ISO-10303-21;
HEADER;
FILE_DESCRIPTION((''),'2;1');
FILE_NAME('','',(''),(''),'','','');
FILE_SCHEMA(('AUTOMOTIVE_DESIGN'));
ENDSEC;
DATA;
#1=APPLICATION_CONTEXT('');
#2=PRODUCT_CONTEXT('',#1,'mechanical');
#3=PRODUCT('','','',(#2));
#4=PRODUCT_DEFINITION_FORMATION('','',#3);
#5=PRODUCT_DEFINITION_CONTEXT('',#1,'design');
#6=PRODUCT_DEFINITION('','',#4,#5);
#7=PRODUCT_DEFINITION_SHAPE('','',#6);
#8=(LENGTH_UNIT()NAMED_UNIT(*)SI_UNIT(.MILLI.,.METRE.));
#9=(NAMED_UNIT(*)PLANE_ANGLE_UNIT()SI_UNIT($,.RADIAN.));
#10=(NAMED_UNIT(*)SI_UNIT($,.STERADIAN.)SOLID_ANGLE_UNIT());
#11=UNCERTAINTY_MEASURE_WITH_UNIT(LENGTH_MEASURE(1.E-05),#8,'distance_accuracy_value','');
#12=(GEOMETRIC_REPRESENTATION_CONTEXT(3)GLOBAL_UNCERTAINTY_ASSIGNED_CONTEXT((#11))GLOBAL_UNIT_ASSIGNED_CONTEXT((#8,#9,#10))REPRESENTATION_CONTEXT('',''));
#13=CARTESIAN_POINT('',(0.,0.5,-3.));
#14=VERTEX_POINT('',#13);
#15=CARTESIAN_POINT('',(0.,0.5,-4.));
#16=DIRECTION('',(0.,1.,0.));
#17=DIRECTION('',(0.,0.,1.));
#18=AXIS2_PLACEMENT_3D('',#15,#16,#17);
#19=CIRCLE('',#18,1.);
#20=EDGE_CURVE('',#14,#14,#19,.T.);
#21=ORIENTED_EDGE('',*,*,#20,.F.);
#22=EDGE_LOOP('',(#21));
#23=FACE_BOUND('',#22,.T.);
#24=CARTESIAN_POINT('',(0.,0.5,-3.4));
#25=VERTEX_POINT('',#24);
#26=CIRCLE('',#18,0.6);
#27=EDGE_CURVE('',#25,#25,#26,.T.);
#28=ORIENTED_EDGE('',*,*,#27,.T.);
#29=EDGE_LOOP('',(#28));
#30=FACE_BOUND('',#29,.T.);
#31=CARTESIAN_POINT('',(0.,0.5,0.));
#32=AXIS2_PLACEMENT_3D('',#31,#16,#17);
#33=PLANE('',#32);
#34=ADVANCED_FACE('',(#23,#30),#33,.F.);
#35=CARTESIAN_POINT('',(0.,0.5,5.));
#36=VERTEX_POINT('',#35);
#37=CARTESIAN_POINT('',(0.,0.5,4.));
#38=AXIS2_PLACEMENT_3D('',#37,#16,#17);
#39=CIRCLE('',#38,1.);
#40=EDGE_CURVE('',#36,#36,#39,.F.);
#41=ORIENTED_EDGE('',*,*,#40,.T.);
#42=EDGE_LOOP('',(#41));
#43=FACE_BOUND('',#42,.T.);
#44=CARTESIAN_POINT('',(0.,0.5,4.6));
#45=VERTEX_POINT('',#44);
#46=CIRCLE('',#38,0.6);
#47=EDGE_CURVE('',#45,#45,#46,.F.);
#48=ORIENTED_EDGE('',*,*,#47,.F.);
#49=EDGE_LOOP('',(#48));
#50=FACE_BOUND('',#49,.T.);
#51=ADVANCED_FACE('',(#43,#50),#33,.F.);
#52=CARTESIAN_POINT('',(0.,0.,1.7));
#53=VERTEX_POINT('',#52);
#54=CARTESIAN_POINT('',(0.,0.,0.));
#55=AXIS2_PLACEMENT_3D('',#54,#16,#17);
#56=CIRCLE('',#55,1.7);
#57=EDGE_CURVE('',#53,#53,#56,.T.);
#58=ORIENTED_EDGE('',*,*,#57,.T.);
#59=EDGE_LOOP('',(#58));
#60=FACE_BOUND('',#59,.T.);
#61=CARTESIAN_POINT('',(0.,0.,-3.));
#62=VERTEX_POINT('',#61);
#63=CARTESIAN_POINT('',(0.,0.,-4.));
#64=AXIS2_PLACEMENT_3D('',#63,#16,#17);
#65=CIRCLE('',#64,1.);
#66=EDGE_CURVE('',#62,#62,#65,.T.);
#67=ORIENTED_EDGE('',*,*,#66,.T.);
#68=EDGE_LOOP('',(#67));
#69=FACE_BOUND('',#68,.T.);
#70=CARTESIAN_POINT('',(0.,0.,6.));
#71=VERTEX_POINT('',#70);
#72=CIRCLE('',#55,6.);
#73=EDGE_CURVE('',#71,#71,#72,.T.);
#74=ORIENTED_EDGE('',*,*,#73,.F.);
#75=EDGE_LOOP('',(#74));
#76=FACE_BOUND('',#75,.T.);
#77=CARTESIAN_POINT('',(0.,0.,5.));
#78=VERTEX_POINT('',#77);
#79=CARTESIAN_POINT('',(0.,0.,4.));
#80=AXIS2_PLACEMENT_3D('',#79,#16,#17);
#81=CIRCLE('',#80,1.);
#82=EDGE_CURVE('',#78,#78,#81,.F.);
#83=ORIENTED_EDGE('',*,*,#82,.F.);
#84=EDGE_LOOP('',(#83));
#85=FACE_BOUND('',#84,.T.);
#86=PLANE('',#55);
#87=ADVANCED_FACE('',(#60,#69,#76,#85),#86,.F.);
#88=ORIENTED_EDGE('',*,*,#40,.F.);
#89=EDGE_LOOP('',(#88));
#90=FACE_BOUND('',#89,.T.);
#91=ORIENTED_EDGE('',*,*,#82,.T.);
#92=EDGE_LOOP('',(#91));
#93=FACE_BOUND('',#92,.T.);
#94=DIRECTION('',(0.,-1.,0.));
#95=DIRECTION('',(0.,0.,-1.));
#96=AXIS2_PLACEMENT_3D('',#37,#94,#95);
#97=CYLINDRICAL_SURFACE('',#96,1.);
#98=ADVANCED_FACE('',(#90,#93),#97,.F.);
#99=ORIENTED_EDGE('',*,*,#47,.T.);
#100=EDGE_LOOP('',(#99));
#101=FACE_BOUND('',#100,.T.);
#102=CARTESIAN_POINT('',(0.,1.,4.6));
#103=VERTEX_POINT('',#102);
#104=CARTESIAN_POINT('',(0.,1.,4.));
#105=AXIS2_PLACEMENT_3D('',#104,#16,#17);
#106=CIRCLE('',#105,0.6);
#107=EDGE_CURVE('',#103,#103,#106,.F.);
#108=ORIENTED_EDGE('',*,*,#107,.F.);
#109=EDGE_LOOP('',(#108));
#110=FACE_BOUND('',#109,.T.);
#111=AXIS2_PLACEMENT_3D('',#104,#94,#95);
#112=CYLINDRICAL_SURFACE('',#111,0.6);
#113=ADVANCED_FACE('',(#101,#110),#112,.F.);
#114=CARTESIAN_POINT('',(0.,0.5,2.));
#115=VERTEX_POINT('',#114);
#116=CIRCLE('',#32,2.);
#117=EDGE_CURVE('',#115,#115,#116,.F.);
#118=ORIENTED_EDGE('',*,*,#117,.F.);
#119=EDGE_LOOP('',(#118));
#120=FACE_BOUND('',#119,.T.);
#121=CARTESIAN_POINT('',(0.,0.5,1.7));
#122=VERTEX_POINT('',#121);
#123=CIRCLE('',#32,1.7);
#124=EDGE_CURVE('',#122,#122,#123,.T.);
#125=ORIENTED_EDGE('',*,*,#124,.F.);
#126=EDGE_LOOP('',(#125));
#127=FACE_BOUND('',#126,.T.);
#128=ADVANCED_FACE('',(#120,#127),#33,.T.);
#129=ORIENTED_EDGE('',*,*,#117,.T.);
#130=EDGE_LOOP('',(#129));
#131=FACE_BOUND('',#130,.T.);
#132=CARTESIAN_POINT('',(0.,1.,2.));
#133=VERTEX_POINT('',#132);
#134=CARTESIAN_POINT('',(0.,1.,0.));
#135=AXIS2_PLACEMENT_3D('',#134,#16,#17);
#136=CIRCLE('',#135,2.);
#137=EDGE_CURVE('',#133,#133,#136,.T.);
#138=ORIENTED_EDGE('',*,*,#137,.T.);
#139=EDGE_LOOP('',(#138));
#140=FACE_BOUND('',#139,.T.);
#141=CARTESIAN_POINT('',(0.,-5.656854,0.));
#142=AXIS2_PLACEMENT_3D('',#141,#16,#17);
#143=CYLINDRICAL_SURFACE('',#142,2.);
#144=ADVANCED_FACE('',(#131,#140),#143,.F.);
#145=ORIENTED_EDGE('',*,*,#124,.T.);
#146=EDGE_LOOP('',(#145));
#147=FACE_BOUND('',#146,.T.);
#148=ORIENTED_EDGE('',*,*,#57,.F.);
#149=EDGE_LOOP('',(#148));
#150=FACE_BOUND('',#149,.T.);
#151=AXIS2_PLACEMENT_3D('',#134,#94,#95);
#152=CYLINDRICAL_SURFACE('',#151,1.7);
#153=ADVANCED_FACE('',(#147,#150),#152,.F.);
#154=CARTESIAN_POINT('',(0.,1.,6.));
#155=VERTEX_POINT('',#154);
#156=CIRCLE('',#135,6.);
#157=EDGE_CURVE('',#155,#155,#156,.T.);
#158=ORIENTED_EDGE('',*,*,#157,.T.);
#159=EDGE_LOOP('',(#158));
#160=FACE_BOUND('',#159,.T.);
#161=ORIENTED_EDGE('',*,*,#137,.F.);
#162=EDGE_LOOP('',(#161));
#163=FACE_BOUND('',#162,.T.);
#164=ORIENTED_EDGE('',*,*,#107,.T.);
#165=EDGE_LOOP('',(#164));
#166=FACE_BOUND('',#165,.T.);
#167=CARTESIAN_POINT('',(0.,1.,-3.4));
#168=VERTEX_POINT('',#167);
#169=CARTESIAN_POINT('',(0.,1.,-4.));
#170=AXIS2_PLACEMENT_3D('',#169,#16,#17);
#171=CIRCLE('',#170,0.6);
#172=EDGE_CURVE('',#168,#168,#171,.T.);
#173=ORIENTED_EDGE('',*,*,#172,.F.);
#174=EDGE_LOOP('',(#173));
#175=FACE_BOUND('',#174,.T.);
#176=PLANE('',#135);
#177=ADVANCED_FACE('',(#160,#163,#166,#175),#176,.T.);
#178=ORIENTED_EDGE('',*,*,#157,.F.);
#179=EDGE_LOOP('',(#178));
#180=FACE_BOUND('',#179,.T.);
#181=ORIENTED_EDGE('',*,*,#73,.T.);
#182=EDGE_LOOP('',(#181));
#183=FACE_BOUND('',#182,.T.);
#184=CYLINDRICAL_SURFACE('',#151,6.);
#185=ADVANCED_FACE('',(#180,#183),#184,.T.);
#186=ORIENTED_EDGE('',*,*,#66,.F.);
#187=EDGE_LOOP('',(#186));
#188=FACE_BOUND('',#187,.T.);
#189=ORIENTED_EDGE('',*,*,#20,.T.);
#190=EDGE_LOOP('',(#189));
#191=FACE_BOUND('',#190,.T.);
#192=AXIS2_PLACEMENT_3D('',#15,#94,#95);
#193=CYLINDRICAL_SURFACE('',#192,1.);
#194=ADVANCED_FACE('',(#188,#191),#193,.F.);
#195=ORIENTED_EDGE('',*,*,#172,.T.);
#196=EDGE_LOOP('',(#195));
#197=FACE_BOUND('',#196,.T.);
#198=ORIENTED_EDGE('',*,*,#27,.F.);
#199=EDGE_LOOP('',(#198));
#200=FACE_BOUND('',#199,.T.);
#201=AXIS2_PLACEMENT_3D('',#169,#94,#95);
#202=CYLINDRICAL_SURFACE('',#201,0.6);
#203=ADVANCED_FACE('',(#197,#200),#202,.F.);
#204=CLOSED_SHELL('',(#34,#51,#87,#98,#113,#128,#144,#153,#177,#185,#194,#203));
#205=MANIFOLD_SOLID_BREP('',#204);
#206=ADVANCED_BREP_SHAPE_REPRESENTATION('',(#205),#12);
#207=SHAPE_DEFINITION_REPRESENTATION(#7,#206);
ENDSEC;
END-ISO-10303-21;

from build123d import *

# Parameters (mm, degrees)
SKETCH1_R           = 6
SKETCH1_R_2         = 1.7
SKETCH1_R_3         = 1
SKETCH1_R_4         = 0.6
BASEPLATE_DEPTH     = 1
SKETCH1_3_R         = 0.6
SCREWHOLES_DEPTH    = 2
SKETCH1_4_R         = 1
SKETCH1_4_R_2       = 0.6
SCREWHATSLOTS_DEPTH = 0.5
SKETCH2_R           = 2
BEARINGSLOT_DEPTH   = 0.5


with BuildPart() as part:
    # Sketch1 → BasePlate (new body)
    with BuildSketch(Plane(origin=(0, 0, 0), x_dir=(1, 0, 0), z_dir=(0, 1, 0))):
        Circle(SKETCH1_R)
        Circle(SKETCH1_R_2, mode=Mode.SUBTRACT)
        with Locations((0, 4)):
            Circle(SKETCH1_R_3, mode=Mode.SUBTRACT)
        with Locations((0, -4)):
            Circle(SKETCH1_R_3, mode=Mode.SUBTRACT)
        with Locations((0, -4)):
            Circle(SKETCH1_R_4)
        with Locations((0, 4)):
            Circle(SKETCH1_R_4)
        with Locations((0, 4)):
            Circle(SKETCH1_R_3)
        with Locations((0, 4)):
            Circle(SKETCH1_R_4, mode=Mode.SUBTRACT)
        with Locations((0, -4)):
            Circle(SKETCH1_R_3)
        with Locations((0, -4)):
            Circle(SKETCH1_R_4, mode=Mode.SUBTRACT)
    extrude(amount=BASEPLATE_DEPTH)

    # Sketch1<3> → ScrewHoles (cut, through all)
    with BuildSketch(Plane(origin=(0, 0, 0), x_dir=(1, 0, 0), z_dir=(0, 1, 0))):
        with Locations((0, -4)):
            Circle(SKETCH1_3_R)
        with Locations((0, 4)):
            Circle(SKETCH1_3_R)
    extrude(amount=SCREWHOLES_DEPTH, mode=Mode.SUBTRACT)

    # Sketch1<4> → ScrewHatSlots (cut)
    with BuildSketch(Plane(origin=(0, 0, 0), x_dir=(1, 0, 0), z_dir=(0, 1, 0))):
        with Locations((0, -4)):
            Circle(SKETCH1_4_R)
        with Locations((0, -4)):
            Circle(SKETCH1_4_R_2, mode=Mode.SUBTRACT)
        with Locations((0, 4)):
            Circle(SKETCH1_4_R)
        with Locations((0, 4)):
            Circle(SKETCH1_4_R_2, mode=Mode.SUBTRACT)
    extrude(amount=SCREWHATSLOTS_DEPTH, mode=Mode.SUBTRACT)

    # Sketch2 → BearingSlot (cut)
    with BuildSketch(Plane(origin=(0, 1, 0), x_dir=(1, 0, 0), z_dir=(0, 1, 0))):
        Circle(SKETCH2_R)
    extrude(amount=-BEARINGSLOT_DEPTH, mode=Mode.SUBTRACT)


solid = part.part
